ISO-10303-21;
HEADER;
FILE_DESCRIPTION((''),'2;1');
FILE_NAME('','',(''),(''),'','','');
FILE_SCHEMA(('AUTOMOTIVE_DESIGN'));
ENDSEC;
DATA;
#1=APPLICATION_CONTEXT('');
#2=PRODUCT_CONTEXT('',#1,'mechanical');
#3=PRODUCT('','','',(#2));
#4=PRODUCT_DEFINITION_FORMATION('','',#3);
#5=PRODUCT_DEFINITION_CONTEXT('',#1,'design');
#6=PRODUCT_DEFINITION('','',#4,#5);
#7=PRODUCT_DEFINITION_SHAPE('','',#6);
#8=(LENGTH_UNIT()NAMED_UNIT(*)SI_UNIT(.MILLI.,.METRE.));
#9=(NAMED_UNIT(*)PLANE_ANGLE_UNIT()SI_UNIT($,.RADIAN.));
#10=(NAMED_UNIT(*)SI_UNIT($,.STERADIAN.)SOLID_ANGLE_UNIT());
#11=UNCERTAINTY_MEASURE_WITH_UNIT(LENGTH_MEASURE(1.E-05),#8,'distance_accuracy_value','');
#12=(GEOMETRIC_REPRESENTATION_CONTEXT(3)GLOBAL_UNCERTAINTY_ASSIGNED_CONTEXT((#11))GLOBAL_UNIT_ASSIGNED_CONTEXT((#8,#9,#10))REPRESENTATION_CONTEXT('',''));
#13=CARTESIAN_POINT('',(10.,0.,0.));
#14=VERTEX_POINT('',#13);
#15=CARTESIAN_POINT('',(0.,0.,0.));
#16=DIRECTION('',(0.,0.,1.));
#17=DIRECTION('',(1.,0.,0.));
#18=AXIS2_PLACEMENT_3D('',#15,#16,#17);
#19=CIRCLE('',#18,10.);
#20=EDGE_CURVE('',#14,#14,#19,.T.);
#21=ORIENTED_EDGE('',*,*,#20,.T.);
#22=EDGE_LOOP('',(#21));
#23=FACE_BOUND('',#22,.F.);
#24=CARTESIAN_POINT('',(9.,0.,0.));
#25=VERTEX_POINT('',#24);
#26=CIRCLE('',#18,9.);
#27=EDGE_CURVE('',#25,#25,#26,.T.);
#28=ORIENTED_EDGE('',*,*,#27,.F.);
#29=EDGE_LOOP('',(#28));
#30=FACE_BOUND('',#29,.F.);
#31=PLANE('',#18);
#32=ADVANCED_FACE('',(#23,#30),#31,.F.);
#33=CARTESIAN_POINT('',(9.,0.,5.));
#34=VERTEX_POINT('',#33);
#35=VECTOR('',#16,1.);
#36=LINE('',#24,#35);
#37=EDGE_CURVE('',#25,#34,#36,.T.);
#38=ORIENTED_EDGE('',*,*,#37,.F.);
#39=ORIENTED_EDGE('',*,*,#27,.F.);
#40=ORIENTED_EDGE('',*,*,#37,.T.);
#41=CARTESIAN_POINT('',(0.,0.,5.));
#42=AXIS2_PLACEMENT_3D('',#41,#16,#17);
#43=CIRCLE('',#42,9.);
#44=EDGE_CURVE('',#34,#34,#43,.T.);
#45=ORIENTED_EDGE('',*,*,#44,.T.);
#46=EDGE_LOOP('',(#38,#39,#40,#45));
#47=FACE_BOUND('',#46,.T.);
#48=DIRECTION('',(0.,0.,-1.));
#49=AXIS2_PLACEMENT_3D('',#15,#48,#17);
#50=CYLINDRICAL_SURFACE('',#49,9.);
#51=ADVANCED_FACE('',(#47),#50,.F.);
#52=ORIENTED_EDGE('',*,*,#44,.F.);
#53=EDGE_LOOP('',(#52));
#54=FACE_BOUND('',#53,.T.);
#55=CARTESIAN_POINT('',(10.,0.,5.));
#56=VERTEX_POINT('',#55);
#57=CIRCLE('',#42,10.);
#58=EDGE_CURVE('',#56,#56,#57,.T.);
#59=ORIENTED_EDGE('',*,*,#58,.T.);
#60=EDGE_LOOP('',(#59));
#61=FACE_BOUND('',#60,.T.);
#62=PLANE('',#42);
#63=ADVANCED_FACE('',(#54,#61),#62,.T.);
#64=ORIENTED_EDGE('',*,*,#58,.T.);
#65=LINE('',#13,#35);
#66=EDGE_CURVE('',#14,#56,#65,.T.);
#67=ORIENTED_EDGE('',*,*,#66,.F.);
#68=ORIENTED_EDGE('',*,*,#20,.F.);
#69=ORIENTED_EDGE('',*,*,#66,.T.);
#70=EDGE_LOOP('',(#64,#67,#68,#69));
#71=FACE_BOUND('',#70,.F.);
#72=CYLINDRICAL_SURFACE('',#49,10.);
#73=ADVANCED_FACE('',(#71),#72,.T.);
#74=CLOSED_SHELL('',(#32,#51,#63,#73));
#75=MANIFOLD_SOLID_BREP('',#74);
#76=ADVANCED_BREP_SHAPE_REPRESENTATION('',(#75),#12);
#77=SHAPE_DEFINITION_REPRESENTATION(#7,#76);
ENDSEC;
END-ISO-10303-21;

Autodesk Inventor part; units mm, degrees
ref_plane "YZ Plane" through (0, 0, 0) normal (1, 0, 0) x (0, 1, 0)
ref_plane "XZ Plane" through (0, 0, 0) normal (0, 1, 0) x (-1, 0, 0)
ref_plane "XY Plane" through (0, 0, 0) normal (0, 0, 1) x (1, 0, 0)
sketch "スケッチ1" plane through (0, 0, 0) normal (0, 0, 1) x (1, 0, 0)
  circle A0 centre (0, 0) radius 9
  circle A1 centre (0, 0) radius 10
  dimension "d0" = 18
  dimension "d1" = 20
extrude "押し出し1" add sketch "スケッチ1" along normal blind 5
properties part number "オイレス182005" material "アセタール樹脂、黒"
